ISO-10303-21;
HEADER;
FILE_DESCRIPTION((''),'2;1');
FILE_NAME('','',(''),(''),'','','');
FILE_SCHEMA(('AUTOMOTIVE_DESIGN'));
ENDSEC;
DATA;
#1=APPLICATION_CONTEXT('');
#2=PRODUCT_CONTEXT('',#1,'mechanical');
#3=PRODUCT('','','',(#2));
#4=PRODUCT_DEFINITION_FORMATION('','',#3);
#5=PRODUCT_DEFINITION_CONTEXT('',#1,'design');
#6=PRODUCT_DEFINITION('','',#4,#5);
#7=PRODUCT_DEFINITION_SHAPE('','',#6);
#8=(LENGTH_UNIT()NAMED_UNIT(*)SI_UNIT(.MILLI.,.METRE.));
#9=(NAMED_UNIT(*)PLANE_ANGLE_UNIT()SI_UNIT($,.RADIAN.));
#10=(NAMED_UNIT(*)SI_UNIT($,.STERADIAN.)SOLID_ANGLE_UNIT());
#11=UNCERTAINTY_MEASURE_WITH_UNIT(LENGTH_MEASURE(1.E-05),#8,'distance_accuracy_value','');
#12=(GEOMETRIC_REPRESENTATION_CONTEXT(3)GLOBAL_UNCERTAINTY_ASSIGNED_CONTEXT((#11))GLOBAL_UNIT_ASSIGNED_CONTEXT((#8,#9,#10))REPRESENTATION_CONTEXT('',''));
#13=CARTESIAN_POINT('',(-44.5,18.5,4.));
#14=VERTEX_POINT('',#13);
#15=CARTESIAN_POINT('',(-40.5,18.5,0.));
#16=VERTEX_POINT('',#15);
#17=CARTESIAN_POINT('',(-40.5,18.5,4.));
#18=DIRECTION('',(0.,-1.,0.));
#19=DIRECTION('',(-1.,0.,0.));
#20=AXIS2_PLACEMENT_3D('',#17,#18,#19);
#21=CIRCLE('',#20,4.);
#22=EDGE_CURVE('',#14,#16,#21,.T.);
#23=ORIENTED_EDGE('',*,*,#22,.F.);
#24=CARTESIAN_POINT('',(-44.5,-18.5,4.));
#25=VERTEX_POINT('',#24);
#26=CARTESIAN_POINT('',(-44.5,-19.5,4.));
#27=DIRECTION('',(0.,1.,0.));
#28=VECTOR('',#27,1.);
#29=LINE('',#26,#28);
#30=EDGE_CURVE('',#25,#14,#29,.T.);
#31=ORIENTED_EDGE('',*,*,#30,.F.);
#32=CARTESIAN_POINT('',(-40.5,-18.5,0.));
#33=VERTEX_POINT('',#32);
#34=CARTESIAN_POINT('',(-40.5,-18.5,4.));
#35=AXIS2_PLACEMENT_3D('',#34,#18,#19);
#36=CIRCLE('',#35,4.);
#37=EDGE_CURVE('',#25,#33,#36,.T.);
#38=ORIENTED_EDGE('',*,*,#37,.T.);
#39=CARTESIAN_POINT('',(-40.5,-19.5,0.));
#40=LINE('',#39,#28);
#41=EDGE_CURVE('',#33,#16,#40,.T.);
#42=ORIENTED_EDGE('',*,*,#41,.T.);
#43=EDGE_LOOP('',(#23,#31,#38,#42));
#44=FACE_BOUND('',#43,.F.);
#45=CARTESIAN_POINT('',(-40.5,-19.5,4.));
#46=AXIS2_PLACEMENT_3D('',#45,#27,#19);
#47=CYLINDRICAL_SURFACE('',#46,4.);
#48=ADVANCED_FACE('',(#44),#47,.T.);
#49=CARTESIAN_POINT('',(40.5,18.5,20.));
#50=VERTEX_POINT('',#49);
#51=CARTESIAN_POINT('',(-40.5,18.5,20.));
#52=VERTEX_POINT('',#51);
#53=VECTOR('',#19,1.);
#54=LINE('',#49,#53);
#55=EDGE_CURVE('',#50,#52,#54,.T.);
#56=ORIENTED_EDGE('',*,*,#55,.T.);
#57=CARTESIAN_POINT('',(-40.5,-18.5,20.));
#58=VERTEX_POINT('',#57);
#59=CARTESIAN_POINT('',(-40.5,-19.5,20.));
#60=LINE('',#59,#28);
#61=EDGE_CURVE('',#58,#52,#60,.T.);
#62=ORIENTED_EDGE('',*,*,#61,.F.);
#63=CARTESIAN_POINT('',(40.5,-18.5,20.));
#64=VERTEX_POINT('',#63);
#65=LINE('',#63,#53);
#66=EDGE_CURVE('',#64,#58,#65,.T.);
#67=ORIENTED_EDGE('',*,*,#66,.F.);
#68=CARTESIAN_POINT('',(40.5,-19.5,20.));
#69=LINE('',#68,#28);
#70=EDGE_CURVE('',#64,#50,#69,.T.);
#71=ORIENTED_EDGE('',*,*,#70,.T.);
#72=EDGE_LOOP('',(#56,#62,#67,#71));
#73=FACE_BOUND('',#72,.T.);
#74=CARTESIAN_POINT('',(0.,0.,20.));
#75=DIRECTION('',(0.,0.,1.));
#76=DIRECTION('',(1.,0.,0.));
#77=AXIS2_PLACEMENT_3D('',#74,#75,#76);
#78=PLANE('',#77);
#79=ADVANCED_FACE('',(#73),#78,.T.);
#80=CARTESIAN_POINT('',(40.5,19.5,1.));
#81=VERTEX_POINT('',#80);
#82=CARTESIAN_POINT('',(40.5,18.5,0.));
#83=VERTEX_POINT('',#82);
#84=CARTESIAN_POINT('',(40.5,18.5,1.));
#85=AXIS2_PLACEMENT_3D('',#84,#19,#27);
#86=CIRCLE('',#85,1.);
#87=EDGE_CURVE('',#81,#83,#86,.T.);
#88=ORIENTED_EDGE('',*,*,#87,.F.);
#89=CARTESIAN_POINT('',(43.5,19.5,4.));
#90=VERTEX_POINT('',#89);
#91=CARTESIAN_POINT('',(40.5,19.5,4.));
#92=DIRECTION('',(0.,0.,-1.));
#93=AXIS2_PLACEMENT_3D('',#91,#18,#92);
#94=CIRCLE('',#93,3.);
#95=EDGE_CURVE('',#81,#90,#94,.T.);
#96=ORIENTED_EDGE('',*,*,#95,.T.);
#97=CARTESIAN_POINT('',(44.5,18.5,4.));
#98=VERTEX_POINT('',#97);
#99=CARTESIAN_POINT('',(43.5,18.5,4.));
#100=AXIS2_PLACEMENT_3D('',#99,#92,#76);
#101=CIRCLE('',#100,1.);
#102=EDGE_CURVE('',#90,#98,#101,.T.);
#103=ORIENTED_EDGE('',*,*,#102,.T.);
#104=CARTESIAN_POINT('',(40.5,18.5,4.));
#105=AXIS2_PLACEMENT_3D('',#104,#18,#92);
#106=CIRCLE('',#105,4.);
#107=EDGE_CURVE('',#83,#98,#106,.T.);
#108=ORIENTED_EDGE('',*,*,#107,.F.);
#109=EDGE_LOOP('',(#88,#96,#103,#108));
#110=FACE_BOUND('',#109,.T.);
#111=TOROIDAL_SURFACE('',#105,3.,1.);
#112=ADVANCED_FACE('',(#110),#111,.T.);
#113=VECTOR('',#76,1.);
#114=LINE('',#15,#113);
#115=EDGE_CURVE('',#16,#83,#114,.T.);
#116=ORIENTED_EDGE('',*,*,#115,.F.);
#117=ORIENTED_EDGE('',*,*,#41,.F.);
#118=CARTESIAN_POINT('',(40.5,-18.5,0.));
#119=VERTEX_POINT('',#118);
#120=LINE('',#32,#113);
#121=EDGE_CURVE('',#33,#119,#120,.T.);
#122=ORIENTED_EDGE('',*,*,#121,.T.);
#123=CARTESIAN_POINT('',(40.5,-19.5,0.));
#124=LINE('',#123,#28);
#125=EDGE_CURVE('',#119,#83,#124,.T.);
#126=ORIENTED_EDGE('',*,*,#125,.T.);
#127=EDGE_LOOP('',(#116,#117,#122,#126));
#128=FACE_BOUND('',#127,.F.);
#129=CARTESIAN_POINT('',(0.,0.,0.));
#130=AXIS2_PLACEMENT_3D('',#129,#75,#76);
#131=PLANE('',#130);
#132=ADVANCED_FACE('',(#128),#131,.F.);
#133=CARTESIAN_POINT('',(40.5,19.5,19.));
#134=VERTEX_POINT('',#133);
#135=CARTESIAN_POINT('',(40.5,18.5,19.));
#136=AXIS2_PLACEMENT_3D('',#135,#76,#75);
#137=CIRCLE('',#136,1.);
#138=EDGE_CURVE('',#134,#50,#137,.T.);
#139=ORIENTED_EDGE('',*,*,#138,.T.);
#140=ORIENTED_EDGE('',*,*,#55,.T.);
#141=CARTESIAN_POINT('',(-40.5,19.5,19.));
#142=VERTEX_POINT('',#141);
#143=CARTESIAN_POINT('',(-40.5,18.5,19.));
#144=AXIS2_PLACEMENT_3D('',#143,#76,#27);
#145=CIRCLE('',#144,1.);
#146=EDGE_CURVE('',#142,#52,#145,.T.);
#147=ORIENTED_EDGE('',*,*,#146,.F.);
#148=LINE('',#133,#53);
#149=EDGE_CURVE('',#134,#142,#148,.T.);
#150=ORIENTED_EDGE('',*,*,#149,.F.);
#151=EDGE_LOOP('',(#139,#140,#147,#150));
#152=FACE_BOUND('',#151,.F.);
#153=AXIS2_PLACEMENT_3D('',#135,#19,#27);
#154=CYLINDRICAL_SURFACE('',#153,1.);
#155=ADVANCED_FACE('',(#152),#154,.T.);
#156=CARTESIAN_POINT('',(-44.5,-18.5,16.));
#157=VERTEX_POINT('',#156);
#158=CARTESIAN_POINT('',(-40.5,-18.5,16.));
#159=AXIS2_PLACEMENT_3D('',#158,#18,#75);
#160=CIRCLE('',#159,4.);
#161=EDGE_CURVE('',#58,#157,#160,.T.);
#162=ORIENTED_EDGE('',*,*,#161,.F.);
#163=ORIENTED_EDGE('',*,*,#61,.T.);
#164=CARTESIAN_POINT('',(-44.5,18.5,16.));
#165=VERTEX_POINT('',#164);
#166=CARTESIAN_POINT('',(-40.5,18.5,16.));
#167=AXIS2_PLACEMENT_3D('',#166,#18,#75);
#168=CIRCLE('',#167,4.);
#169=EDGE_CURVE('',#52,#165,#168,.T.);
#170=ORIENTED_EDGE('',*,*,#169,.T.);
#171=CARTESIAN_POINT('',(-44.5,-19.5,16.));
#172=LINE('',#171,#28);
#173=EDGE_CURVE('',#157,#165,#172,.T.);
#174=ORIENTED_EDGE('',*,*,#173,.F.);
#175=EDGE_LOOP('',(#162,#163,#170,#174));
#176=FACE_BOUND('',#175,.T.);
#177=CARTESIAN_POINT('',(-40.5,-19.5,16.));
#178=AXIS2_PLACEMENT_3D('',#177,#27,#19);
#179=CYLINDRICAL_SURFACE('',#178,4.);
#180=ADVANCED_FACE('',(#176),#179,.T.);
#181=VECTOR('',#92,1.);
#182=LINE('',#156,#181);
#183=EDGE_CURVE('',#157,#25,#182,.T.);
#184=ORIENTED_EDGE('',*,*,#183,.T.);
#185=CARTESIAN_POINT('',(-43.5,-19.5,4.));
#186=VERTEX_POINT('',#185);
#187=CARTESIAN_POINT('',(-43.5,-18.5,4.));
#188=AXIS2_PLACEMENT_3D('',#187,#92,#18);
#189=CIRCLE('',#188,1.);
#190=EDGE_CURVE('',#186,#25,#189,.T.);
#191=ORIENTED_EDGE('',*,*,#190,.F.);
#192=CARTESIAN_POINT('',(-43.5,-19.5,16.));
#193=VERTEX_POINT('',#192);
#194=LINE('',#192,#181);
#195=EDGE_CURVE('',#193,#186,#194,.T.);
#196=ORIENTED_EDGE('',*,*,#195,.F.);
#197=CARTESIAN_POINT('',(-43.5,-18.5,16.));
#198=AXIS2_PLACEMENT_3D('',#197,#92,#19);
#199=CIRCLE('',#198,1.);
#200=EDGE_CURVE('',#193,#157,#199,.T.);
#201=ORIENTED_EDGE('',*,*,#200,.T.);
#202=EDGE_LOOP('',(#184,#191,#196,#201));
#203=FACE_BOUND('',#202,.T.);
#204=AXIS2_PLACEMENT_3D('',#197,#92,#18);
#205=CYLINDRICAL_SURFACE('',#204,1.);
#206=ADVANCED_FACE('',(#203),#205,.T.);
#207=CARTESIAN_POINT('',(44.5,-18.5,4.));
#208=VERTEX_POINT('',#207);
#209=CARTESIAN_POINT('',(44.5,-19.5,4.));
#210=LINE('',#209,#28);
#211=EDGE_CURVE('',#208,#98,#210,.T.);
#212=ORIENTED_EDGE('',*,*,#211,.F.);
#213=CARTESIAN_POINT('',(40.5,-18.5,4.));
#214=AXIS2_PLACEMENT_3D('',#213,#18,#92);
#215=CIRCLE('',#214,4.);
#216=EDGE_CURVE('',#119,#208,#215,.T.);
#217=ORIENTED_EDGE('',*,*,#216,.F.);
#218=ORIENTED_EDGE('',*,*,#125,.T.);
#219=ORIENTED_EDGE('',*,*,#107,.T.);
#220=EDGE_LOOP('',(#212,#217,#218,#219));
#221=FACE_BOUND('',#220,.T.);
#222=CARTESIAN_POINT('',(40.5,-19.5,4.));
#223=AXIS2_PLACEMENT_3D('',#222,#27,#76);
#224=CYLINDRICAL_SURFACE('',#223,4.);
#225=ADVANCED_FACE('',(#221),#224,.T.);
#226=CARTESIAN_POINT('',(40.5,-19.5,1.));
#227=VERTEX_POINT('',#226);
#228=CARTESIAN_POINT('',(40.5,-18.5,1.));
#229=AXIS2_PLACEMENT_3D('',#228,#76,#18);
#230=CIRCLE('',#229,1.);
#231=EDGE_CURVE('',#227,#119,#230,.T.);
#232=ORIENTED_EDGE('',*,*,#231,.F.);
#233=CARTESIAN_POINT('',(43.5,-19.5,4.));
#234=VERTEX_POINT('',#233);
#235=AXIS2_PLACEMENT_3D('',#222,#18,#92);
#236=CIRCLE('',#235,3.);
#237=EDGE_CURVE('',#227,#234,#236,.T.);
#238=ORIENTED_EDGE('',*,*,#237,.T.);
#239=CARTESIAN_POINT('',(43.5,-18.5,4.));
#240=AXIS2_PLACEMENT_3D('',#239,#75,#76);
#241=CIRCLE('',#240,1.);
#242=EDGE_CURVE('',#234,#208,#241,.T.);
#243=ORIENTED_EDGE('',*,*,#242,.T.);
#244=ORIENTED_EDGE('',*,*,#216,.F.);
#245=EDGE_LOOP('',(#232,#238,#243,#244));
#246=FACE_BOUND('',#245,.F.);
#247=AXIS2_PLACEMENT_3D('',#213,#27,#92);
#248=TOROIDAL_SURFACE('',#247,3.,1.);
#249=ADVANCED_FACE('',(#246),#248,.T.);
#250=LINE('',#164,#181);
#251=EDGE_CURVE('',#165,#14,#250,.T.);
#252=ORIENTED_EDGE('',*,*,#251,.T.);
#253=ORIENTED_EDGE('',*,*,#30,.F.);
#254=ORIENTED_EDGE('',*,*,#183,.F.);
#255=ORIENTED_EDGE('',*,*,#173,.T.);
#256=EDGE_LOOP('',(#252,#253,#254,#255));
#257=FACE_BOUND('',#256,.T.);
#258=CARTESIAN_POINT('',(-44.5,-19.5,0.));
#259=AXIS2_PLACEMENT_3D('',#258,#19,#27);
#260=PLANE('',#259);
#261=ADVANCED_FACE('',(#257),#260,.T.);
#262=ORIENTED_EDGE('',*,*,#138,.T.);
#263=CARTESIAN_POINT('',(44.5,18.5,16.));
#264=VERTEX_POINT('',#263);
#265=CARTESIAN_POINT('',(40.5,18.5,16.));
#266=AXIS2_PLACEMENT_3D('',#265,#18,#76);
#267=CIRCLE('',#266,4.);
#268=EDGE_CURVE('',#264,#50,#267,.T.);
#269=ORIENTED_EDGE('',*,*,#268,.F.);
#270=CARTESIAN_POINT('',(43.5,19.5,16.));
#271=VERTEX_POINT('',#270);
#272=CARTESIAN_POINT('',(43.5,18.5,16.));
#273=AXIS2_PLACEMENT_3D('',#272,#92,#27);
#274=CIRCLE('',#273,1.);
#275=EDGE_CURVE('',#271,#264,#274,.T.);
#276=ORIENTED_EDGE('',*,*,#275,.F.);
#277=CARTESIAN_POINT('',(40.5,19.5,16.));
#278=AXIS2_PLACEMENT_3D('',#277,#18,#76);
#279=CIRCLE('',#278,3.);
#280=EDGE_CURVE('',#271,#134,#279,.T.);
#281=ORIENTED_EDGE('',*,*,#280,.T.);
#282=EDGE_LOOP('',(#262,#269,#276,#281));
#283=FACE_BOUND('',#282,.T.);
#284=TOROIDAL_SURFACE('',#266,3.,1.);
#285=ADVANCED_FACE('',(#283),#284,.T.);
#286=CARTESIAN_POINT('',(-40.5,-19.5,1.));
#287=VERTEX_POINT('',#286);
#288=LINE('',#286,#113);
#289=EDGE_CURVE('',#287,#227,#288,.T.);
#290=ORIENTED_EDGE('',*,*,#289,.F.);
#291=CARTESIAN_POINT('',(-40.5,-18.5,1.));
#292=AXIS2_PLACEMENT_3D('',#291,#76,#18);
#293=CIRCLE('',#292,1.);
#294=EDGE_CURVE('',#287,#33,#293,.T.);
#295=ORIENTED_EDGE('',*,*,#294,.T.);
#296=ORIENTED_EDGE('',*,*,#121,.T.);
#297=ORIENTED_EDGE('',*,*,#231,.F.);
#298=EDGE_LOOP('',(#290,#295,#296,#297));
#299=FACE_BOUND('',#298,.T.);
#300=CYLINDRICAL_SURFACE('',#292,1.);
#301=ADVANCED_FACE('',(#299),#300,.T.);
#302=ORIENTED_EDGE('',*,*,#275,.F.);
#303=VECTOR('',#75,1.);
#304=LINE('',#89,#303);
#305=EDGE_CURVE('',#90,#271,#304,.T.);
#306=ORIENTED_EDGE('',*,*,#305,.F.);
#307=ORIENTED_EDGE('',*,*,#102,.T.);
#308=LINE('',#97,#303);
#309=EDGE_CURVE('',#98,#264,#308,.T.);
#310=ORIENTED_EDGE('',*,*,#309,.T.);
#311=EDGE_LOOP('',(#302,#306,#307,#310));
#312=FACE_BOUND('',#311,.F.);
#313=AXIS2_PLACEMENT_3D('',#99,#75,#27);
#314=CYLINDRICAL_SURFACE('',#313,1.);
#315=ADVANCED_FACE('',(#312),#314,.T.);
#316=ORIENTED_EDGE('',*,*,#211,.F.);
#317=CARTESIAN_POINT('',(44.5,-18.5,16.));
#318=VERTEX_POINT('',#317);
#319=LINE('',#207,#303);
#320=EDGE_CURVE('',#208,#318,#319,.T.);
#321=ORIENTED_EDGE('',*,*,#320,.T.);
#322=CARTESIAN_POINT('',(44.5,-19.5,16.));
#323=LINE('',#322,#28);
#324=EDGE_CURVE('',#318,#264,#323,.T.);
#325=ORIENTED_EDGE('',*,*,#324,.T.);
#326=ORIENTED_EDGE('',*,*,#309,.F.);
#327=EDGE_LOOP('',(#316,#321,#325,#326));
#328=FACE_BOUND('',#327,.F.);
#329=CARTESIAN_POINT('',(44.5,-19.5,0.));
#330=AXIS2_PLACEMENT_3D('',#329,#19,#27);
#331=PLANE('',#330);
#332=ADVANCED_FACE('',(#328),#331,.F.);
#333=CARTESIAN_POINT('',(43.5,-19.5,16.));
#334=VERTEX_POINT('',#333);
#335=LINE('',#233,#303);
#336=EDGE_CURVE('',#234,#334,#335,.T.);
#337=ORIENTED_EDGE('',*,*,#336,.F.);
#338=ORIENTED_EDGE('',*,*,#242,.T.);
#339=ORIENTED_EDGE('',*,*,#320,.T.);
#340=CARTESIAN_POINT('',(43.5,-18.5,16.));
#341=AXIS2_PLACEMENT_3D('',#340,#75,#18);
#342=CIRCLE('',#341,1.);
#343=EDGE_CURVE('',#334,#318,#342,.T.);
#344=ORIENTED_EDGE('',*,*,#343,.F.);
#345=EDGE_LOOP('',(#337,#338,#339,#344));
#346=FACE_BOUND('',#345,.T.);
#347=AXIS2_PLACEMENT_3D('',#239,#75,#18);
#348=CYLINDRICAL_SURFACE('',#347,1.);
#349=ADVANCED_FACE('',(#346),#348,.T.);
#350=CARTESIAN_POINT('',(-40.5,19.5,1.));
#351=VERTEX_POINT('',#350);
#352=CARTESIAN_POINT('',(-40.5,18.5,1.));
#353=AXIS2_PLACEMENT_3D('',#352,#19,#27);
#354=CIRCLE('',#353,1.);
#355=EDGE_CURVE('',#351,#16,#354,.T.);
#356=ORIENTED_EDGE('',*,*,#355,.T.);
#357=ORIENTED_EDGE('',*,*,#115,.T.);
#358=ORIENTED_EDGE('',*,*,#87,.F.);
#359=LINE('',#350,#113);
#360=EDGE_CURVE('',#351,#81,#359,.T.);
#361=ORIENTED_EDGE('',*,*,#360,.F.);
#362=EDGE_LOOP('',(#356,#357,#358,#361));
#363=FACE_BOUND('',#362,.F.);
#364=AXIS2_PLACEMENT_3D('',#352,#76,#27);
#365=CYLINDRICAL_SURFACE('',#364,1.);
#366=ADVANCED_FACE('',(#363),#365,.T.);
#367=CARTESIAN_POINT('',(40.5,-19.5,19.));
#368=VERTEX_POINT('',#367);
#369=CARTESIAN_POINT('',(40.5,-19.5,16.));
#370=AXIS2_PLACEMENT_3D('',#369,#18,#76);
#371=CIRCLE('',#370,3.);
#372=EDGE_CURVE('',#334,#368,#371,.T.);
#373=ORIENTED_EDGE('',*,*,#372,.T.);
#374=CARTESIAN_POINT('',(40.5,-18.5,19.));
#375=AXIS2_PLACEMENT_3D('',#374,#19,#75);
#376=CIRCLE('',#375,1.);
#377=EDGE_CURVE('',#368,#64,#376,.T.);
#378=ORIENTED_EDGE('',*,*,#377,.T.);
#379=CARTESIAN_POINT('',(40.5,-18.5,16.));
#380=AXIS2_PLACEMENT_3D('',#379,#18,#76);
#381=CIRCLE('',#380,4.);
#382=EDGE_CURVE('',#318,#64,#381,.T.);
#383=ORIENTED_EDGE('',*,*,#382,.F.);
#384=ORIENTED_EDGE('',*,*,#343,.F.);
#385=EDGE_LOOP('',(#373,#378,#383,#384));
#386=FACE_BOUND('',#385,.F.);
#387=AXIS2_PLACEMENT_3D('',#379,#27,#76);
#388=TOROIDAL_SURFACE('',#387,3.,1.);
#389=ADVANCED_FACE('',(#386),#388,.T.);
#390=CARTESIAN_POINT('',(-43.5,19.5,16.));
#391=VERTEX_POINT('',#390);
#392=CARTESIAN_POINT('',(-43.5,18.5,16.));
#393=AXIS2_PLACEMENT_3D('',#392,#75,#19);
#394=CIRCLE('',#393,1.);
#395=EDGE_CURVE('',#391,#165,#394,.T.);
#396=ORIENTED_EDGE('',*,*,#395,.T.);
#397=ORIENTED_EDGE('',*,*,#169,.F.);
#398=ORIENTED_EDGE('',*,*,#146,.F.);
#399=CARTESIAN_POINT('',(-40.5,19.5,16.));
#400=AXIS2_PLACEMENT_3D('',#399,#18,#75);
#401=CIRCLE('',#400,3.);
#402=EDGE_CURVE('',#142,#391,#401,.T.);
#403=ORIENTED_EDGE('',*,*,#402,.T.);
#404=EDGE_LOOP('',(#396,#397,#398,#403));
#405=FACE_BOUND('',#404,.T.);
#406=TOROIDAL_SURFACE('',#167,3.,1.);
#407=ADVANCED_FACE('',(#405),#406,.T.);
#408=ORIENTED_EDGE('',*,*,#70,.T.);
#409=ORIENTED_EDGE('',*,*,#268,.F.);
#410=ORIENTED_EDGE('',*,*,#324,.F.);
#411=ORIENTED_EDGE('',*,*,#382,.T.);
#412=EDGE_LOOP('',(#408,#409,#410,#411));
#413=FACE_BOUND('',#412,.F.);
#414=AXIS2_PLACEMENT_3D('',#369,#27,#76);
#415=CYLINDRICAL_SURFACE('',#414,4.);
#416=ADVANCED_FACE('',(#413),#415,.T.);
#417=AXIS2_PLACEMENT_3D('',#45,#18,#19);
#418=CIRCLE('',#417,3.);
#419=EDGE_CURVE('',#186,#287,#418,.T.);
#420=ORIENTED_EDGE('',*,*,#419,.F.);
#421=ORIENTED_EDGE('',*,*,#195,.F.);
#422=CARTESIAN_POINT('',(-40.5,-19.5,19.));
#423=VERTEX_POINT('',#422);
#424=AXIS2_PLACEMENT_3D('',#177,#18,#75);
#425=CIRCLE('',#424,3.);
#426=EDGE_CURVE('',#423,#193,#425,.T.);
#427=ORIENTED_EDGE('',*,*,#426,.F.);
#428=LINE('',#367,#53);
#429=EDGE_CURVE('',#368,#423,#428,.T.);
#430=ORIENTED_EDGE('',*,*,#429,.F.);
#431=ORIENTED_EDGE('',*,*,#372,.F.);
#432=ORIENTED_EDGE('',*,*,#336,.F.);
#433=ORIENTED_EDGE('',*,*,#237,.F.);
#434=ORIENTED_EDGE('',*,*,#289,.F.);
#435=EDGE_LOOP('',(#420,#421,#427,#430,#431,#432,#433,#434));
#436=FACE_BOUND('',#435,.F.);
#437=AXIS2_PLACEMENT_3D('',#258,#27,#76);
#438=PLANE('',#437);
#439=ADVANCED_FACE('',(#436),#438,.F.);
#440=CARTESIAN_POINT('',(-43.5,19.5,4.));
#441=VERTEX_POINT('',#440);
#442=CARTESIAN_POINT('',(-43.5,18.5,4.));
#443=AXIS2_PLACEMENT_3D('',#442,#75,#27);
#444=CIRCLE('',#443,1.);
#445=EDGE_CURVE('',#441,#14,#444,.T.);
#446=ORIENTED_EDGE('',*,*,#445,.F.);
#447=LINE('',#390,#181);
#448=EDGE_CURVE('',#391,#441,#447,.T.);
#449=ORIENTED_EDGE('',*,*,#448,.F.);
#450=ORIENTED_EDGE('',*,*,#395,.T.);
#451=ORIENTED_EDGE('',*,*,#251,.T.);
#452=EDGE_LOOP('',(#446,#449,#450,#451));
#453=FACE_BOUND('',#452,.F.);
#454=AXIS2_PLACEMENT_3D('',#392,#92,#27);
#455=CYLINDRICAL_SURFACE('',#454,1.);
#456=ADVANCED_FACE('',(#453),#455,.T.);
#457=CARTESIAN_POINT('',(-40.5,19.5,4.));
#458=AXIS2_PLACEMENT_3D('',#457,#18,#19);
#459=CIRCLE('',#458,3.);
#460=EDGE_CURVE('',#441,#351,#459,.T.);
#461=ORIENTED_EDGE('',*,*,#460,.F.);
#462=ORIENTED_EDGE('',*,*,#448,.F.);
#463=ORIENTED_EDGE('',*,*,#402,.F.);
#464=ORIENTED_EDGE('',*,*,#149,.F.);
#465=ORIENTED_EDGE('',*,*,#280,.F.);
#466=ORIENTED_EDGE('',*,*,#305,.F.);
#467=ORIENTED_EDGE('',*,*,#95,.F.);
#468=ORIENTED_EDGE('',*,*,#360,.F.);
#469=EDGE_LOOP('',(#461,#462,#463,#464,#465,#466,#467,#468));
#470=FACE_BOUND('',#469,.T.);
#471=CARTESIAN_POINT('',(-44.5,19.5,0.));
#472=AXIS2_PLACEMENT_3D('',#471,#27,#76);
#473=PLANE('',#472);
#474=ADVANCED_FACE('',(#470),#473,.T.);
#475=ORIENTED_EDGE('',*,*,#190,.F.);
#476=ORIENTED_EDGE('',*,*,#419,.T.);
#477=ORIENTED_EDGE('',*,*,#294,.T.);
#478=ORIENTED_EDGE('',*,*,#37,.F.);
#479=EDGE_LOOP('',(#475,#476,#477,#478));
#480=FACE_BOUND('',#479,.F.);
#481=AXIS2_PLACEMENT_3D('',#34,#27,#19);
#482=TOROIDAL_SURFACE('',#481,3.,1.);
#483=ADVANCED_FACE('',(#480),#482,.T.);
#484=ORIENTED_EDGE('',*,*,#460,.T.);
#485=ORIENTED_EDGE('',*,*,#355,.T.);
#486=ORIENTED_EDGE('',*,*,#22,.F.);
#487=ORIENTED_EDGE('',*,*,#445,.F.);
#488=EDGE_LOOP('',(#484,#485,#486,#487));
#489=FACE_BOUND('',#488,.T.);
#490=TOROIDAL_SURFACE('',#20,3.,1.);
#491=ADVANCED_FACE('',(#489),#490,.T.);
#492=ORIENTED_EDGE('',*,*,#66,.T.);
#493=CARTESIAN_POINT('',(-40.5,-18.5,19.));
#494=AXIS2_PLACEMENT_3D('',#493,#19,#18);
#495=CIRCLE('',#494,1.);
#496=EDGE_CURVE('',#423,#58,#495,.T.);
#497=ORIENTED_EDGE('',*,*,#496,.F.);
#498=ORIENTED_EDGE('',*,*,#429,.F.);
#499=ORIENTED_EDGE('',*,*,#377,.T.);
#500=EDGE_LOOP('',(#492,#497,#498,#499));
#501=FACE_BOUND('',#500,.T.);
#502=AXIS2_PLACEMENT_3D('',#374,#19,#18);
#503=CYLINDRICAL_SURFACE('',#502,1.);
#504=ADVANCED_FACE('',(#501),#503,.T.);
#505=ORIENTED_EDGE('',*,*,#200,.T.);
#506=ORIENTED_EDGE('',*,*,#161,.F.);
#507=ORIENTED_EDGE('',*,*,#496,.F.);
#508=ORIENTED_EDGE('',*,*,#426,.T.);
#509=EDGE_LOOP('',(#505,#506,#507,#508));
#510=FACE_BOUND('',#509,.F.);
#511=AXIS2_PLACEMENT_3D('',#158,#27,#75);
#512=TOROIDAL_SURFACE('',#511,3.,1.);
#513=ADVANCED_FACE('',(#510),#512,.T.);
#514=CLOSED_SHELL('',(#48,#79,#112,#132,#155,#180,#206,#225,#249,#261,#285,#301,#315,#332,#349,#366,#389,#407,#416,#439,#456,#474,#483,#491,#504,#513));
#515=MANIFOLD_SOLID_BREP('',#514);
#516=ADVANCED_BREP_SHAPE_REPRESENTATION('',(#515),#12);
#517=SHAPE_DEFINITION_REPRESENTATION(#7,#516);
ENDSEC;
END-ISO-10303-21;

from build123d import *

# Parameters (mm, degrees)
F0_W     = 89
F0_H     = 39
F1_DEPTH = 20
F2_R     = 4
F3_R     = 1


with BuildPart() as f1:
    # F0 (on Top) → F1 (new body)
    with BuildSketch(Plane.XY):
        Rectangle(F0_W, F0_H)
    extrude(amount=F1_DEPTH)

    # F2
    f2_edges = [f1.edges().sort_by_distance(p)[0] for p in [
        (44.5, 0, 20),
        (44.5, 0, 0),
        (-44.5, 0, 20),
        (-44.5, 0, 0),
    ]]
    fillet(f2_edges, radius=F2_R)

    # F3
    f3_edges = [f1.edges().sort_by_distance(p)[0] for p in [
        (0, -19.5, 0),
        (0, 19.5, 0),
    ]]
    fillet(f3_edges, radius=F3_R)


solid = f1.part
